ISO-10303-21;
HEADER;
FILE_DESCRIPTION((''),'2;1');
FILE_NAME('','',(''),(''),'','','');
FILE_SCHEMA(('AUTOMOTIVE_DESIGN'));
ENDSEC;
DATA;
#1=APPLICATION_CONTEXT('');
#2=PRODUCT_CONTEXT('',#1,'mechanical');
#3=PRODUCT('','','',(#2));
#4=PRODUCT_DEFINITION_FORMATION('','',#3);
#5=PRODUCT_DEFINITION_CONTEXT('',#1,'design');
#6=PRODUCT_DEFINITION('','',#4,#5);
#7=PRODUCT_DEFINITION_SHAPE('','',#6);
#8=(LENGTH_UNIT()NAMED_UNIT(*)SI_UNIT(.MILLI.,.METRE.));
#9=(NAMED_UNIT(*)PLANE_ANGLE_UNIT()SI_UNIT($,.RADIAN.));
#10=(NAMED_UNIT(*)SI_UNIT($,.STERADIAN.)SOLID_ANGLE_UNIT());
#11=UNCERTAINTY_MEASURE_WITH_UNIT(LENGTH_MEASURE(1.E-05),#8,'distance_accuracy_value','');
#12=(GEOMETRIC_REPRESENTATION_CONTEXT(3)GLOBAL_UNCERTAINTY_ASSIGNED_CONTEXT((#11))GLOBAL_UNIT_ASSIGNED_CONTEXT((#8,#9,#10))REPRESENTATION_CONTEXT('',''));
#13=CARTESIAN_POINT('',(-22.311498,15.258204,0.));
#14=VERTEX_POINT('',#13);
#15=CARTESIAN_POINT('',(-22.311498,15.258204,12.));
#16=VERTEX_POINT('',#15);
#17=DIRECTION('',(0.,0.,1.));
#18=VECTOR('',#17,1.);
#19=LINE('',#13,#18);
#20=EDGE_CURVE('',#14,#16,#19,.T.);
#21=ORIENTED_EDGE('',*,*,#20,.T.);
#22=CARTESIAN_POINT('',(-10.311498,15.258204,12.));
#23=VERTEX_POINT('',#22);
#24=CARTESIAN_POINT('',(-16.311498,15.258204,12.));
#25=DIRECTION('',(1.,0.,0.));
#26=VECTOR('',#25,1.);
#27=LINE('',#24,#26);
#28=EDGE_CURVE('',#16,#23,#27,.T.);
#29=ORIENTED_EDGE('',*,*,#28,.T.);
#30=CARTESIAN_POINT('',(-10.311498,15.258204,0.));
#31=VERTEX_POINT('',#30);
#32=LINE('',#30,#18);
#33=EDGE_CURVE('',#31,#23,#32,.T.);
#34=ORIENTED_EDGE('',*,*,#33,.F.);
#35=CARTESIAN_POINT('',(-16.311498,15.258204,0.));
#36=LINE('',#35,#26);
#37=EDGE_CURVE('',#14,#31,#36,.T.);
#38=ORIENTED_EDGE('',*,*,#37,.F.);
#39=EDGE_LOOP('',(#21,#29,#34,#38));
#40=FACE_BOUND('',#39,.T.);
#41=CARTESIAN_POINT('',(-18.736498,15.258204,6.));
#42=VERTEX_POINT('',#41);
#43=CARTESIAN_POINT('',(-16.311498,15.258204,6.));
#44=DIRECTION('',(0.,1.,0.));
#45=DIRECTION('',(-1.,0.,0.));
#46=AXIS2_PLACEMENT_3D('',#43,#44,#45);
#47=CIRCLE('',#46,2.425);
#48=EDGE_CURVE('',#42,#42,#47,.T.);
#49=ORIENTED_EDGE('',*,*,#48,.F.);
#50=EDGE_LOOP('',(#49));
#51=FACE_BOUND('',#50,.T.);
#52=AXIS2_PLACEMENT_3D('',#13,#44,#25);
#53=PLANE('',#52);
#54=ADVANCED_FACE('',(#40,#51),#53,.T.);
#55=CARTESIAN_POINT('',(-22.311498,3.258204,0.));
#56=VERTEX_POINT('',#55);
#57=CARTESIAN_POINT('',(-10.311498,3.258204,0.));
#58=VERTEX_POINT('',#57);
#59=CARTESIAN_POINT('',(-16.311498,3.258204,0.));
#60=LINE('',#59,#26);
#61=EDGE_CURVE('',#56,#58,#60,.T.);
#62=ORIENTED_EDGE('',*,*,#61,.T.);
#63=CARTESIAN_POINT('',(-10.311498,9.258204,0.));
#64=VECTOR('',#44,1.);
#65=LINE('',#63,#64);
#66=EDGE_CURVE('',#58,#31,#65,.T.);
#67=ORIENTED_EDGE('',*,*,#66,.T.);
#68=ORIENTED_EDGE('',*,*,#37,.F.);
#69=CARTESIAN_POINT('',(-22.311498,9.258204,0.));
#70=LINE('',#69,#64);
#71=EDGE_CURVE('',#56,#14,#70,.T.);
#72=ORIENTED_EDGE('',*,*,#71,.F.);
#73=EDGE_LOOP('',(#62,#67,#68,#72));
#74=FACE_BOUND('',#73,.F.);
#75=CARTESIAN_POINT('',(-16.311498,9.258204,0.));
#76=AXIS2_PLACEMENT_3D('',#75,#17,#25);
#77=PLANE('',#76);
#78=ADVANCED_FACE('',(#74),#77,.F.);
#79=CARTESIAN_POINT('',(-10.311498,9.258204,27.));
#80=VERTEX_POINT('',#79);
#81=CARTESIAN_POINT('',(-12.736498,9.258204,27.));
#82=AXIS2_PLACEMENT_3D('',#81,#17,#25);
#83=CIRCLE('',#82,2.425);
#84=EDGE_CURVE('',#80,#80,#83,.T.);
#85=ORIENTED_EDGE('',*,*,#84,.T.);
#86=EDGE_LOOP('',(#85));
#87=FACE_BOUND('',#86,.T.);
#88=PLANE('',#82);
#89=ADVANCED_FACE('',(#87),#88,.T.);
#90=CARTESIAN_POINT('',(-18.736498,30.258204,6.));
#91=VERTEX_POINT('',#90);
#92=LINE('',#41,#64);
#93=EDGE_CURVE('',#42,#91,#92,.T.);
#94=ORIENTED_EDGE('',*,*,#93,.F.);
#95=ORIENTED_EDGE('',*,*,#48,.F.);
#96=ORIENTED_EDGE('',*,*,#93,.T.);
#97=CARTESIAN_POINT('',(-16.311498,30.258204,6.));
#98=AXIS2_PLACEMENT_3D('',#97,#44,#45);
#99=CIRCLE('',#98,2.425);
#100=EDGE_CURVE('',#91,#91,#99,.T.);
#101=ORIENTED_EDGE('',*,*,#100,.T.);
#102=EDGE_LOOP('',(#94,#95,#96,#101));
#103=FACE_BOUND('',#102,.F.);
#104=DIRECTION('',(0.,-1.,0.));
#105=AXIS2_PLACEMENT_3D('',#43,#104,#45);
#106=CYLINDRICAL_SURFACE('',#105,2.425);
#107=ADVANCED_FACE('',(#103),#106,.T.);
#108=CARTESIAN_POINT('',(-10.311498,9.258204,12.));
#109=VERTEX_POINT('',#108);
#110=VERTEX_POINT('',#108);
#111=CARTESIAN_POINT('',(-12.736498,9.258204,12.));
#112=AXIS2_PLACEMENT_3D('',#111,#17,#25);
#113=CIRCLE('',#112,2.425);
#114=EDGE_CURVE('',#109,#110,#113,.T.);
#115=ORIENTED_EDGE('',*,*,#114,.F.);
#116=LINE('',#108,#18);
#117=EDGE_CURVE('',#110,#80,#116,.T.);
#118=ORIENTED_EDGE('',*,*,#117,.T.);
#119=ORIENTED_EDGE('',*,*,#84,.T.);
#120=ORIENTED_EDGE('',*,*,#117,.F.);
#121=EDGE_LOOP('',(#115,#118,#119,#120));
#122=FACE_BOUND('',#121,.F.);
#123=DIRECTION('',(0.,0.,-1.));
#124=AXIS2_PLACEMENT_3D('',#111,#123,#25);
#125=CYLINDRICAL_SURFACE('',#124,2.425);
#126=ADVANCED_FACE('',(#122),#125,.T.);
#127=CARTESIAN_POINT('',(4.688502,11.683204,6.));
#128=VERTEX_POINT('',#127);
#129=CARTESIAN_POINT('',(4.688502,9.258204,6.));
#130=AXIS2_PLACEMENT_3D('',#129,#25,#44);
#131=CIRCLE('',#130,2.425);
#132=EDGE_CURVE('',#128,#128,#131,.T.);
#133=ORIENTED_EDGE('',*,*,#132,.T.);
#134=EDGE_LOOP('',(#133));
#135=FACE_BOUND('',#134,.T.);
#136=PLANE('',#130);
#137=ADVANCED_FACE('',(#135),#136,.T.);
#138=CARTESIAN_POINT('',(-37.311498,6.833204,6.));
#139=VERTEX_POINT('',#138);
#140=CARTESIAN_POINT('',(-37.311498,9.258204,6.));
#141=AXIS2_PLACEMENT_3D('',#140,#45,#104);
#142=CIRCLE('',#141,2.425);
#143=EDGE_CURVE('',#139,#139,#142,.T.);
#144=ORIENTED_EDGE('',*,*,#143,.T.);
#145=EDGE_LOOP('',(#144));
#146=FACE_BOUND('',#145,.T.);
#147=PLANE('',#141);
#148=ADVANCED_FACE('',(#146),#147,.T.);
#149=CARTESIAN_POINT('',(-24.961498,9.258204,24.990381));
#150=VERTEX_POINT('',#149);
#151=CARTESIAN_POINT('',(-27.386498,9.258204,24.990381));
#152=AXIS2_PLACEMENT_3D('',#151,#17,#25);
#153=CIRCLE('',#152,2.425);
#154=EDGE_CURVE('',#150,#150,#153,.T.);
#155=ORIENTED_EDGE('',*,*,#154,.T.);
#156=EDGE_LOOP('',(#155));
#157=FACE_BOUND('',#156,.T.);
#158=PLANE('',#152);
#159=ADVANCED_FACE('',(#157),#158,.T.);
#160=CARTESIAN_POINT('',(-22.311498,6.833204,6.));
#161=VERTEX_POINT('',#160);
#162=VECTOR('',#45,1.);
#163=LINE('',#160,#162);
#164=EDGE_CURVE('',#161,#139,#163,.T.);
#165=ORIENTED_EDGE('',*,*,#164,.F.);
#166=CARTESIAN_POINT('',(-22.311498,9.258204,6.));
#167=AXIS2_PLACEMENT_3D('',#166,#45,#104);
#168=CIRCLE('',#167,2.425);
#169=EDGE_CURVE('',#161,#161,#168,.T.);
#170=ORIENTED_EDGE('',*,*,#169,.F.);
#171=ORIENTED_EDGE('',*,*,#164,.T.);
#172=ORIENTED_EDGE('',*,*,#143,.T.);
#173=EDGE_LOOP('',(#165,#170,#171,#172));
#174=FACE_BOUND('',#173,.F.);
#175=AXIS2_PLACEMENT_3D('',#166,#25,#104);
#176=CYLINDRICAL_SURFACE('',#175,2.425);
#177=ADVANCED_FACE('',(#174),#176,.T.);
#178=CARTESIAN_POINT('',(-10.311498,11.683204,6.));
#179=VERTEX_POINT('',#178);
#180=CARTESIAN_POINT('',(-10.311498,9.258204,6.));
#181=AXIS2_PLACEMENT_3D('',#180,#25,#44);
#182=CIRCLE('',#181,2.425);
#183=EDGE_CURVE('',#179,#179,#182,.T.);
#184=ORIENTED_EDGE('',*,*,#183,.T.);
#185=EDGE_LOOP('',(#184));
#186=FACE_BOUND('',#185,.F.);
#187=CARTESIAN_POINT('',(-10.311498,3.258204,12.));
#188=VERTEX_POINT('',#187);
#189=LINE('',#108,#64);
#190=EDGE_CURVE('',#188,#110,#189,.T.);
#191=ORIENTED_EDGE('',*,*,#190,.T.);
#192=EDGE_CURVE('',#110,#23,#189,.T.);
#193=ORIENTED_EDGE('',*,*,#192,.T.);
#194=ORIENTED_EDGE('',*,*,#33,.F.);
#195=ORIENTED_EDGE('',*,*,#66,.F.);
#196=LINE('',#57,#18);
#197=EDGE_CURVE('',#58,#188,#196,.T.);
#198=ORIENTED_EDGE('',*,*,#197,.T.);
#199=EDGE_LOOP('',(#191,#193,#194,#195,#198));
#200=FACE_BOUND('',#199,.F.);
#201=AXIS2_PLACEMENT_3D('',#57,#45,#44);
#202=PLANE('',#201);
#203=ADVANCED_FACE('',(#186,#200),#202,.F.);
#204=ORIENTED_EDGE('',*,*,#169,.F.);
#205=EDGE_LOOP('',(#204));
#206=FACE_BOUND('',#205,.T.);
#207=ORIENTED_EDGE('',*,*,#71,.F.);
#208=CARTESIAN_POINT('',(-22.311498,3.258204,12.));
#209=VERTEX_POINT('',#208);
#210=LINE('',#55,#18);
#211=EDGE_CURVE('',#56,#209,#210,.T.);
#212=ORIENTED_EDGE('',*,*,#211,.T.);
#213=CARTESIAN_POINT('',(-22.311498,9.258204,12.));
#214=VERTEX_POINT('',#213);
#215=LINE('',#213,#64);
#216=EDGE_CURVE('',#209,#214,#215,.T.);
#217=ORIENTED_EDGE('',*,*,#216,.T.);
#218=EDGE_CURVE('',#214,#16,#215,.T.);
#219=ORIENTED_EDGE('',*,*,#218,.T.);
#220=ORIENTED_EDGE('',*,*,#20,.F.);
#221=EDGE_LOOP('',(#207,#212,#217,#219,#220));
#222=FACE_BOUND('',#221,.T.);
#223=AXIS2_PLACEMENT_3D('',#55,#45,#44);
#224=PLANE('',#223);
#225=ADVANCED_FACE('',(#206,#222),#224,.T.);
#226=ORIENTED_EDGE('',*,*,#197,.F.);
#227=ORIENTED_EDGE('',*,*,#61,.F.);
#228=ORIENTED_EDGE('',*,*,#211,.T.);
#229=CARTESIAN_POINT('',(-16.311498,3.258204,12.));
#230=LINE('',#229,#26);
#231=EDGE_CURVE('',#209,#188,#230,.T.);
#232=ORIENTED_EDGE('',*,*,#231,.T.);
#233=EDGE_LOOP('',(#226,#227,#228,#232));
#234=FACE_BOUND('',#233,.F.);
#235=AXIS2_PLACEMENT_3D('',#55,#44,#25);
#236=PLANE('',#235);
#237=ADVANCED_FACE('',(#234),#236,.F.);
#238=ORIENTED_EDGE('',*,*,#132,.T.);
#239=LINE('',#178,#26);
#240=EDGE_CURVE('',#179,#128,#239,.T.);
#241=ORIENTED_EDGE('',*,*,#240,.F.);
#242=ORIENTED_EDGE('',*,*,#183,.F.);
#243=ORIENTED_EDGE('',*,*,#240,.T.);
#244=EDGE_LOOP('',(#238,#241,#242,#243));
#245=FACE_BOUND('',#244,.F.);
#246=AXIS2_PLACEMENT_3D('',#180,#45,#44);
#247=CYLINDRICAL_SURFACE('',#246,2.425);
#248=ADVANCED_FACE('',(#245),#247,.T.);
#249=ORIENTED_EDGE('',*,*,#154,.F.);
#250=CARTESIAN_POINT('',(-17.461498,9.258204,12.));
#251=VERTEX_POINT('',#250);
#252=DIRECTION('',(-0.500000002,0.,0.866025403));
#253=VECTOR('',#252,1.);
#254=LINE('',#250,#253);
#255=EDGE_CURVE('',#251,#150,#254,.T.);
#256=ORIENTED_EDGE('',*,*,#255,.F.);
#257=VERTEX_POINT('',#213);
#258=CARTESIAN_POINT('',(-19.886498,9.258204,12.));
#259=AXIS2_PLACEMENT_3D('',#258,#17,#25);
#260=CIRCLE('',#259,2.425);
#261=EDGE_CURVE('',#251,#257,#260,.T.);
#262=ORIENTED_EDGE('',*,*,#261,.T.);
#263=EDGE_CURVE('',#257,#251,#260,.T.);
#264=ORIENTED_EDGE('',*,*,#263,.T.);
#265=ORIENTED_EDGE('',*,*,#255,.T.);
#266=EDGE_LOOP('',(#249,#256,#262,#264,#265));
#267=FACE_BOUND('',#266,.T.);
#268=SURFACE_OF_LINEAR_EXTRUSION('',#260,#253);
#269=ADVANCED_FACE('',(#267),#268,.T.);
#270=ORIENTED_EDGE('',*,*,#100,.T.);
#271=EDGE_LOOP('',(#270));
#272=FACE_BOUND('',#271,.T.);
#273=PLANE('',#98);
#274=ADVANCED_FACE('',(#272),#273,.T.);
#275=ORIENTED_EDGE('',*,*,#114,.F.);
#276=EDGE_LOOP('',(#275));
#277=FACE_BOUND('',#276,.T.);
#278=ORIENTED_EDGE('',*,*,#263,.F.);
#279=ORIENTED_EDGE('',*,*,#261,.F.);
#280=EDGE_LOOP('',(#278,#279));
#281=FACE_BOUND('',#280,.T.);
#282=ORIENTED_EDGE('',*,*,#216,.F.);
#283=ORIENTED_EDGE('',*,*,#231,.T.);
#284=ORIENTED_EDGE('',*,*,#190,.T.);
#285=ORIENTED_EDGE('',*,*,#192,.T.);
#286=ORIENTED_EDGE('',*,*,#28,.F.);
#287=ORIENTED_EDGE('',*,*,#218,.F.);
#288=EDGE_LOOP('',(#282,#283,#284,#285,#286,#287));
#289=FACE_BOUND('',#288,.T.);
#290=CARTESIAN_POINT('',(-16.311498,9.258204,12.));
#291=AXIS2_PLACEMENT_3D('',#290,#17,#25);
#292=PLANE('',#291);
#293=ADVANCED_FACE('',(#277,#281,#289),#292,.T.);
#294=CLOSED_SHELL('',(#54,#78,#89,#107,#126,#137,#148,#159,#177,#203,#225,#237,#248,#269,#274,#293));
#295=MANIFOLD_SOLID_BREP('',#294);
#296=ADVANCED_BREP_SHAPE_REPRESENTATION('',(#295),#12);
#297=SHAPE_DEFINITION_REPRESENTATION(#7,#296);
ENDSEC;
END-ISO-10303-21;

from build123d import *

# Parameters (mm, degrees)
F0_W      = 12
F0_H      = 12
F1_DEPTH  = 12
F2_R      = 2.425
F3_DEPTH  = 15
F4_R      = 2.425
F5_DEPTH  = 15
F6_R      = 2.425
F9_DEPTH  = 15
F10_R     = 2.425
F11_DEPTH = 15


with BuildPart() as f1:
    # F0 (on Top) → F1 (new body)
    with BuildSketch(Plane.XY):
        with Locations((-16.311498, 9.258204)):
            Rectangle(F0_W, F0_H)
    extrude(amount=F1_DEPTH)

    # F2 (on face) → F3 (join)
    with BuildSketch(Plane.YZ.offset(-10.311498)):
        with Locations((9.258204, 6)):
            Circle(F2_R)
    extrude(amount=F3_DEPTH)

    # F4 (on face) → F5 (join)
    with BuildSketch(Plane(origin=(-22.311498, 0, 0), x_dir=(0, -1, 0), z_dir=(-1, 0, 0))):
        with Locations((-9.258204, 6)):
            Circle(F4_R)
    extrude(amount=F5_DEPTH)

    # F8: sweep along a path in F7
    with BuildLine(Plane(origin=(0, 15.258204, 0), x_dir=(-1, 0, 0), z_dir=(0, 1, 0))) as f8_path:
        Line((19.886498, 12), (27.386498, 24.990381))
    # F6 (on face) → F8 (sweep)
    with BuildSketch(Plane.XY.offset(12)):
        with BuildLine():
            ThreePointArc((-22.311498, 9.258204), (-19.886498, 6.833204), (-17.461498, 9.258204))
            ThreePointArc((-17.461498, 9.258204), (-19.886498, 11.683204), (-22.311498, 9.258204))
        make_face()
    sweep(path=f8_path.line)

    # F6 (on face) → F9 (join)
    with BuildSketch(Plane.XY.offset(12)):
        with Locations((-12.736498, 9.258204)):
            Circle(F6_R)
    extrude(amount=F9_DEPTH)

    # F10 (on face) → F11 (join)
    with BuildSketch(Plane(origin=(0, 15.258204, 0), x_dir=(-1, 0, 0), z_dir=(0, 1, 0))):
        with Locations((16.311498, 6)):
            Circle(F10_R)
    extrude(amount=F11_DEPTH)


solid = f1.part
